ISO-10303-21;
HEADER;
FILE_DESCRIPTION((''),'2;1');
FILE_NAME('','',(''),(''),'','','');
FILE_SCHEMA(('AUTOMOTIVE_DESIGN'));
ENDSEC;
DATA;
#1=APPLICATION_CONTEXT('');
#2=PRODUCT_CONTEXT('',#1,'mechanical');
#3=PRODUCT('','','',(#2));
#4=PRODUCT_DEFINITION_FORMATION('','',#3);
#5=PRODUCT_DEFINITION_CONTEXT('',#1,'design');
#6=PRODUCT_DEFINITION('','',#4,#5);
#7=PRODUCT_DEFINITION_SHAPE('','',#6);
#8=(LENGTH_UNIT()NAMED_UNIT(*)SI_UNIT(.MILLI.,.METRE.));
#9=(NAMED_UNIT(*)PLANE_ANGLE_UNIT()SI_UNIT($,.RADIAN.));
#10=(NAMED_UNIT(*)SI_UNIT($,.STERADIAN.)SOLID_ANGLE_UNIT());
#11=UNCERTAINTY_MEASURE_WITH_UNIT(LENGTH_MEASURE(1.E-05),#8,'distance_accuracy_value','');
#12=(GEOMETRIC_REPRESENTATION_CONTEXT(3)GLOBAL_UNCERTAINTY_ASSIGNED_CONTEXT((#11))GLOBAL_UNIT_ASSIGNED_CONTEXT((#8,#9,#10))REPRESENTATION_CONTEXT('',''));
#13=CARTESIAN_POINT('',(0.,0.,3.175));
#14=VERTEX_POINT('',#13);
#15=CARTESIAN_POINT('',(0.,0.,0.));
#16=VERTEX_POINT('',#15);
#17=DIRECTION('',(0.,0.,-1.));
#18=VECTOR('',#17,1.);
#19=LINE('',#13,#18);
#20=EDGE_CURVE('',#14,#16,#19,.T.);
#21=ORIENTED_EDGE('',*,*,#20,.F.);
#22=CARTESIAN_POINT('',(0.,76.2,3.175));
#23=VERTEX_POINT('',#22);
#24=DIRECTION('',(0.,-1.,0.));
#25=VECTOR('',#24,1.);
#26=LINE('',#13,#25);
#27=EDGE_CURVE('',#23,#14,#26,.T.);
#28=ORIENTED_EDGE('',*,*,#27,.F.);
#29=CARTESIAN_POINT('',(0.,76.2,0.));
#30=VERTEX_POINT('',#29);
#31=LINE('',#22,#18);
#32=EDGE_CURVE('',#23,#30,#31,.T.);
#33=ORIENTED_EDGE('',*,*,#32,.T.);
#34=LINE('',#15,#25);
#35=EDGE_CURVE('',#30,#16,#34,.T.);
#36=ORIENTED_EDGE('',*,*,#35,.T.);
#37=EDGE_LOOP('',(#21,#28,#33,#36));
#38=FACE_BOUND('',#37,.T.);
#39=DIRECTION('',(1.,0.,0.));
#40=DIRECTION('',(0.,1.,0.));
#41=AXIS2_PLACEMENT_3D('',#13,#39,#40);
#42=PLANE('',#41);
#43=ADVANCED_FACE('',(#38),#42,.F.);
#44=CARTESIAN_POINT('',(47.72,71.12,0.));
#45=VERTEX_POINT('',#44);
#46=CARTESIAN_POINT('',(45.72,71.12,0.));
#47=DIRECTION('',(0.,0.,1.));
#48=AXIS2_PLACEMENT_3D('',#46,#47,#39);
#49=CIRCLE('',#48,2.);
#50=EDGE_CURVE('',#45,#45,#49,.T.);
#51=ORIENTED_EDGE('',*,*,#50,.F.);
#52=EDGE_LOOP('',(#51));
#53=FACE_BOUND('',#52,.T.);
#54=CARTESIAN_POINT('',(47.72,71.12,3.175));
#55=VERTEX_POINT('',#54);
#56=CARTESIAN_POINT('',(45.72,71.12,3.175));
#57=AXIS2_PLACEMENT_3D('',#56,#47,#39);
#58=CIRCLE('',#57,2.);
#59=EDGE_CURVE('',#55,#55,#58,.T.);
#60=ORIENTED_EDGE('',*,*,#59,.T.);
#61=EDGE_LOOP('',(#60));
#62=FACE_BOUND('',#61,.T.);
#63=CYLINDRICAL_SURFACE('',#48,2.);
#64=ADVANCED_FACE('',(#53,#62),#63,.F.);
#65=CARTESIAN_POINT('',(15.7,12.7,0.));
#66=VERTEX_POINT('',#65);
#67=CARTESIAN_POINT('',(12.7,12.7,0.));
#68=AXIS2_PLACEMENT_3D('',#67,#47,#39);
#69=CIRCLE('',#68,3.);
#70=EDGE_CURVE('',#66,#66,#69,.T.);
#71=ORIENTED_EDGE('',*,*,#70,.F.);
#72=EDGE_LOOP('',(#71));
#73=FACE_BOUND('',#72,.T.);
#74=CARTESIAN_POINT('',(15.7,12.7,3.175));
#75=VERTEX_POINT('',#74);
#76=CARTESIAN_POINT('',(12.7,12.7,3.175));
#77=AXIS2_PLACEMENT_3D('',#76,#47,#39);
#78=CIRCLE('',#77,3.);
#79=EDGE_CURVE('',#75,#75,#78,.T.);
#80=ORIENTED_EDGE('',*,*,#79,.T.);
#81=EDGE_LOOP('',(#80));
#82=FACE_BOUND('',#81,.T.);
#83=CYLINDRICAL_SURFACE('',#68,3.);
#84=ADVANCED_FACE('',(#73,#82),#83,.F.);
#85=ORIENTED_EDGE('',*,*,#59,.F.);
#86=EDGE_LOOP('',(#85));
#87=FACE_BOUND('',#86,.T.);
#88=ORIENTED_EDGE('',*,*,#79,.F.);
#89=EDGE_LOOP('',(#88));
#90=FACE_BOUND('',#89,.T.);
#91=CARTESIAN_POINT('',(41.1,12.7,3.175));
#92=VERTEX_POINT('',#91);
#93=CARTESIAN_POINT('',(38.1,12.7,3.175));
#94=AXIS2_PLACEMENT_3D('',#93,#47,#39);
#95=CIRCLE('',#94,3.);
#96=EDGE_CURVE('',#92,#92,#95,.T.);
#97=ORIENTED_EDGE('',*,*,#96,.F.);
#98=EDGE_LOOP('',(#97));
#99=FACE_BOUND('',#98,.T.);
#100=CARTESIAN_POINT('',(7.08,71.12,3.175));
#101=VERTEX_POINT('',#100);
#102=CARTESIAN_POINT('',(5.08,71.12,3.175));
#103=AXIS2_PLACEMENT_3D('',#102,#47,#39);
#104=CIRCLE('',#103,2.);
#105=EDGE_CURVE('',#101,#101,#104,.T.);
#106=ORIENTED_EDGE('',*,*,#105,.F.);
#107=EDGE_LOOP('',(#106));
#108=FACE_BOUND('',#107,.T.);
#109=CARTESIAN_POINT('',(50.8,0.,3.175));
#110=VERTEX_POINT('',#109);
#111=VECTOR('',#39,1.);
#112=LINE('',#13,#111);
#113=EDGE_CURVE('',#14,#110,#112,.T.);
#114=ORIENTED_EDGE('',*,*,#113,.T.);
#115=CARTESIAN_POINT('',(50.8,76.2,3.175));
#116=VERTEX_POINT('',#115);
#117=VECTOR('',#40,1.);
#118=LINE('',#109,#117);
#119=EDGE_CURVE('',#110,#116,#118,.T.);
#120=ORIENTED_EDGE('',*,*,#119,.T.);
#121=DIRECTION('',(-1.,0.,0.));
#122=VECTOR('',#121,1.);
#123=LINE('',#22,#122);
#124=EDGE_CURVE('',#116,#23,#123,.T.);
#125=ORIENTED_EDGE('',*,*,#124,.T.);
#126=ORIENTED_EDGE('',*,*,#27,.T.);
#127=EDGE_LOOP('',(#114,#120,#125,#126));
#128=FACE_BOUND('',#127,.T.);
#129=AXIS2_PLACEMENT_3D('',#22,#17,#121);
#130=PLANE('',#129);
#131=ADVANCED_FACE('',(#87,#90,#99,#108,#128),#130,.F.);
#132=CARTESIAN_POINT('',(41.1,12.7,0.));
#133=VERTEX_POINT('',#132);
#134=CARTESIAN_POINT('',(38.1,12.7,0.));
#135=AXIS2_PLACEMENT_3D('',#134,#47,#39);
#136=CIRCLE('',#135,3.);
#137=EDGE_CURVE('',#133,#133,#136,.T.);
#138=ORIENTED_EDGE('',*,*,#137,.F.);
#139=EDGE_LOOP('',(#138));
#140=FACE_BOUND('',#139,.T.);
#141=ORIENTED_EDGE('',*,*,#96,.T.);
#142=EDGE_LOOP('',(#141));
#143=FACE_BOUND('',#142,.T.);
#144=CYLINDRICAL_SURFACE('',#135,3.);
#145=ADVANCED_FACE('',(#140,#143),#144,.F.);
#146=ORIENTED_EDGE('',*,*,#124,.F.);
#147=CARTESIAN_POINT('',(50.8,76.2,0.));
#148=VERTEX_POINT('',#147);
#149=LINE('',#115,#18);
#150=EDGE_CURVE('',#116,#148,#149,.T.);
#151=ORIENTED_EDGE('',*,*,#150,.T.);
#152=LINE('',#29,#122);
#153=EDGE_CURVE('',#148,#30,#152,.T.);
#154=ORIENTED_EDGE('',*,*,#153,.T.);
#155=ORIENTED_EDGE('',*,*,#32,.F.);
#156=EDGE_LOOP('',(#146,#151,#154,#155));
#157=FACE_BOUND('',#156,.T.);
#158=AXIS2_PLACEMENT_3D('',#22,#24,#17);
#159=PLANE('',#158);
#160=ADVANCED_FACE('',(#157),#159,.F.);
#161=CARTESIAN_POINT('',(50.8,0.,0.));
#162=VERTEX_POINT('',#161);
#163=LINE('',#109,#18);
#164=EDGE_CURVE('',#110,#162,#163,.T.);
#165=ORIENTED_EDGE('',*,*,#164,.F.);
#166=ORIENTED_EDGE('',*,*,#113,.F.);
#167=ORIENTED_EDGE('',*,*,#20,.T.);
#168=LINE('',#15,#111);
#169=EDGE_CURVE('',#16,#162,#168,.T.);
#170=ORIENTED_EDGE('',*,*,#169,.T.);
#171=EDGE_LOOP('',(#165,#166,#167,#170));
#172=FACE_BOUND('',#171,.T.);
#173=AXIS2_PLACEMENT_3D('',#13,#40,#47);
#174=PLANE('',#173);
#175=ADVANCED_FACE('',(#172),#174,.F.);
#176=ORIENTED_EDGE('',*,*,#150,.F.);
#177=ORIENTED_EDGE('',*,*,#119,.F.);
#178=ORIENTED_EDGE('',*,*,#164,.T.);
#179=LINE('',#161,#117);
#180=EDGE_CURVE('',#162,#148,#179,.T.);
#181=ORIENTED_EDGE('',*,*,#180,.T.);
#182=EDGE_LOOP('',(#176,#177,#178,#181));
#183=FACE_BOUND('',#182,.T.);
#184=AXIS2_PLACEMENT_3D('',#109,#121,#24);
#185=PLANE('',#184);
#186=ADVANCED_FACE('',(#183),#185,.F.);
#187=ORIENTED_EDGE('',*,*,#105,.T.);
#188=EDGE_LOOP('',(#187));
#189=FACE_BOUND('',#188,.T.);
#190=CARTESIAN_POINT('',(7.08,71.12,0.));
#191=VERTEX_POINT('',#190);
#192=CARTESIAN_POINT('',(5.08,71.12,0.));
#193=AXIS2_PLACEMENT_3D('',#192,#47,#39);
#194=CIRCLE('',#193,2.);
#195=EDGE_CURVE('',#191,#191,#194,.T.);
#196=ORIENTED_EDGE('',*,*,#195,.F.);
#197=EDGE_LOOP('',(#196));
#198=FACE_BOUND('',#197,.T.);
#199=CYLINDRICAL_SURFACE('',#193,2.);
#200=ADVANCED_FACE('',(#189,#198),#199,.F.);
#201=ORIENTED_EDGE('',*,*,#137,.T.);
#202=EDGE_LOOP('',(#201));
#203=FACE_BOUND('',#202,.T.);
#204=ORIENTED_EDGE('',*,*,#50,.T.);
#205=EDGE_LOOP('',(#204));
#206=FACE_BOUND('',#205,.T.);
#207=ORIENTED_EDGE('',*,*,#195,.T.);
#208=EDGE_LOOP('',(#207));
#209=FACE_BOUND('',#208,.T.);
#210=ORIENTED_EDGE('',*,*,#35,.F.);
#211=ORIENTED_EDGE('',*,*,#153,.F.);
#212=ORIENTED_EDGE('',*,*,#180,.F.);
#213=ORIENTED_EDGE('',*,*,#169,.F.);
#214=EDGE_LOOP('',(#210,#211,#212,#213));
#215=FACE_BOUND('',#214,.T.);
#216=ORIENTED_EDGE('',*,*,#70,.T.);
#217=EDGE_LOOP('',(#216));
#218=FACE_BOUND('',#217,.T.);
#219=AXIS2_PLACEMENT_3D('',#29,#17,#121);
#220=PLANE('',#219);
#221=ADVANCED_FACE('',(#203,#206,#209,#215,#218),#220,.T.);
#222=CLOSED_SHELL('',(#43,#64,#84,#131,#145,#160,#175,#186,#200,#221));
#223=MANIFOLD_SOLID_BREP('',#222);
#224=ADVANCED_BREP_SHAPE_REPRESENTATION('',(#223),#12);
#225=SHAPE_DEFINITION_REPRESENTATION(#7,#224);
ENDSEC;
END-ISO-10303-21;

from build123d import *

# Parameters (mm, degrees)
SKETCH1_W           = 50.8
SKETCH1_H           = 76.2
BOSS_EXTRUDE1_DEPTH = 3.175
SKETCH2_R           = 2
SKETCH2_R_2         = 3
CUT_EXTRUDE1_DEPTH  = 4.175


with BuildPart() as part:
    # Sketch1 → Boss-Extrude1 (new body)
    with BuildSketch(Plane.XY):
        with Locations((25.4, 38.1)):
            Rectangle(SKETCH1_W, SKETCH1_H)
    extrude(amount=BOSS_EXTRUDE1_DEPTH)

    # Sketch2 → Cut-Extrude1 (cut, through all)
    with BuildSketch(Plane.XY.offset(3.175)):
        with Locations((5.08, 71.12)):
            Circle(SKETCH2_R)
        with Locations((45.72, 71.12)):
            Circle(SKETCH2_R)
        with Locations((12.7, 12.7)):
            Circle(SKETCH2_R_2)
        with Locations((38.1, 12.7)):
            Circle(SKETCH2_R_2)
    extrude(amount=-CUT_EXTRUDE1_DEPTH, mode=Mode.SUBTRACT)


solid = part.part
